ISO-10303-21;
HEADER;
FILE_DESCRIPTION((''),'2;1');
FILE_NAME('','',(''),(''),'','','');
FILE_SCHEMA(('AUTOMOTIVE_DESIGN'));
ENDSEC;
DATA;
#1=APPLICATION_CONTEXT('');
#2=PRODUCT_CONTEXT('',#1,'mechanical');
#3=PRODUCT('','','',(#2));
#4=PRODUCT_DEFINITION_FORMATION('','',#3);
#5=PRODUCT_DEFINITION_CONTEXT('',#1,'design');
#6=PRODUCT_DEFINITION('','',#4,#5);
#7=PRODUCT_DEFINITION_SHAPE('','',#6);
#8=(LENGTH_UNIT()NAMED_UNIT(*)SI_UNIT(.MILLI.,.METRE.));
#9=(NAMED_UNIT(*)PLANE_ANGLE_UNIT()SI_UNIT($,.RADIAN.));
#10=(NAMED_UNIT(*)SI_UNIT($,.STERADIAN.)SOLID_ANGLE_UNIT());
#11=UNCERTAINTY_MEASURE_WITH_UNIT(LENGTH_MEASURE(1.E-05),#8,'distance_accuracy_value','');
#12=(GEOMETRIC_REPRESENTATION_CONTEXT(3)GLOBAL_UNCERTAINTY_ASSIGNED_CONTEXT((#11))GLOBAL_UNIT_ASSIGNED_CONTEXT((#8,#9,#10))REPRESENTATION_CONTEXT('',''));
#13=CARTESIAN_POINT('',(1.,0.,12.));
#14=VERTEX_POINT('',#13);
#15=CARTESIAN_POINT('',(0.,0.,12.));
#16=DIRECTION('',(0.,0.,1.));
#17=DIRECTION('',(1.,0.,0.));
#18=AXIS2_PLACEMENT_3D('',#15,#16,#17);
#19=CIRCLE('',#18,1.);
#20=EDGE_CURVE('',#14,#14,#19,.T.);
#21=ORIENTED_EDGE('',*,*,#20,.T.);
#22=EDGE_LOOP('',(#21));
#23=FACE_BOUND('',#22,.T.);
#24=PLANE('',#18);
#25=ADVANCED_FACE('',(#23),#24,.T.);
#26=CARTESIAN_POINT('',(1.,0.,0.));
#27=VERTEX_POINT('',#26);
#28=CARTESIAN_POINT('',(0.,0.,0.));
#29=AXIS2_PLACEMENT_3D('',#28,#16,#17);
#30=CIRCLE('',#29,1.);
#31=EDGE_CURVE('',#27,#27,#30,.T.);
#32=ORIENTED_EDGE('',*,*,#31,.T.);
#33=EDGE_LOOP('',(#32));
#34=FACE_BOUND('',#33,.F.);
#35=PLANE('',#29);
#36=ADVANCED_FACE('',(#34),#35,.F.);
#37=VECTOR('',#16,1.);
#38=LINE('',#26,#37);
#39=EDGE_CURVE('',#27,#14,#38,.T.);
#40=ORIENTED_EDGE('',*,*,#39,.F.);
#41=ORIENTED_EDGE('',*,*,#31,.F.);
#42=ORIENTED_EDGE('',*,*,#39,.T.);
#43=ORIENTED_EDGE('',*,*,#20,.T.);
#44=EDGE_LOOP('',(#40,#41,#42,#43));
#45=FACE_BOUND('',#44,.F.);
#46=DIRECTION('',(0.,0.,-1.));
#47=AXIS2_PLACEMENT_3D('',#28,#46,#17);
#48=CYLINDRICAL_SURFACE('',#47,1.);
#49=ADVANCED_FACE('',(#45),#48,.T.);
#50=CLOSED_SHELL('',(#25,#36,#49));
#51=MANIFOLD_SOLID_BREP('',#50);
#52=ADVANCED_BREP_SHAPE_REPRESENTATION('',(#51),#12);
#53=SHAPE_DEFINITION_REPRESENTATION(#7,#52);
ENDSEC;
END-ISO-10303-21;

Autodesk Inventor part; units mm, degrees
ref_plane "YZ Plane" through (0, 0, 0) normal (1, 0, 0) x (0, 1, 0)
ref_plane "XZ Plane" through (0, 0, 0) normal (0, 1, 0) x (-1, 0, 0)
ref_plane "XY Plane" through (0, 0, 0) normal (0, 0, 1) x (1, 0, 0)
sketch "スケッチ1" plane through (0, 0, 0) normal (0, 0, 1) x (1, 0, 0)
  circle A0 centre (0, 0) radius 1
  dimension "d0" = 2
extrude "押し出し1" add sketch "スケッチ1" along normal blind 12
properties part number "Parts_Shaft_Phi2_L12" material "鋼"
